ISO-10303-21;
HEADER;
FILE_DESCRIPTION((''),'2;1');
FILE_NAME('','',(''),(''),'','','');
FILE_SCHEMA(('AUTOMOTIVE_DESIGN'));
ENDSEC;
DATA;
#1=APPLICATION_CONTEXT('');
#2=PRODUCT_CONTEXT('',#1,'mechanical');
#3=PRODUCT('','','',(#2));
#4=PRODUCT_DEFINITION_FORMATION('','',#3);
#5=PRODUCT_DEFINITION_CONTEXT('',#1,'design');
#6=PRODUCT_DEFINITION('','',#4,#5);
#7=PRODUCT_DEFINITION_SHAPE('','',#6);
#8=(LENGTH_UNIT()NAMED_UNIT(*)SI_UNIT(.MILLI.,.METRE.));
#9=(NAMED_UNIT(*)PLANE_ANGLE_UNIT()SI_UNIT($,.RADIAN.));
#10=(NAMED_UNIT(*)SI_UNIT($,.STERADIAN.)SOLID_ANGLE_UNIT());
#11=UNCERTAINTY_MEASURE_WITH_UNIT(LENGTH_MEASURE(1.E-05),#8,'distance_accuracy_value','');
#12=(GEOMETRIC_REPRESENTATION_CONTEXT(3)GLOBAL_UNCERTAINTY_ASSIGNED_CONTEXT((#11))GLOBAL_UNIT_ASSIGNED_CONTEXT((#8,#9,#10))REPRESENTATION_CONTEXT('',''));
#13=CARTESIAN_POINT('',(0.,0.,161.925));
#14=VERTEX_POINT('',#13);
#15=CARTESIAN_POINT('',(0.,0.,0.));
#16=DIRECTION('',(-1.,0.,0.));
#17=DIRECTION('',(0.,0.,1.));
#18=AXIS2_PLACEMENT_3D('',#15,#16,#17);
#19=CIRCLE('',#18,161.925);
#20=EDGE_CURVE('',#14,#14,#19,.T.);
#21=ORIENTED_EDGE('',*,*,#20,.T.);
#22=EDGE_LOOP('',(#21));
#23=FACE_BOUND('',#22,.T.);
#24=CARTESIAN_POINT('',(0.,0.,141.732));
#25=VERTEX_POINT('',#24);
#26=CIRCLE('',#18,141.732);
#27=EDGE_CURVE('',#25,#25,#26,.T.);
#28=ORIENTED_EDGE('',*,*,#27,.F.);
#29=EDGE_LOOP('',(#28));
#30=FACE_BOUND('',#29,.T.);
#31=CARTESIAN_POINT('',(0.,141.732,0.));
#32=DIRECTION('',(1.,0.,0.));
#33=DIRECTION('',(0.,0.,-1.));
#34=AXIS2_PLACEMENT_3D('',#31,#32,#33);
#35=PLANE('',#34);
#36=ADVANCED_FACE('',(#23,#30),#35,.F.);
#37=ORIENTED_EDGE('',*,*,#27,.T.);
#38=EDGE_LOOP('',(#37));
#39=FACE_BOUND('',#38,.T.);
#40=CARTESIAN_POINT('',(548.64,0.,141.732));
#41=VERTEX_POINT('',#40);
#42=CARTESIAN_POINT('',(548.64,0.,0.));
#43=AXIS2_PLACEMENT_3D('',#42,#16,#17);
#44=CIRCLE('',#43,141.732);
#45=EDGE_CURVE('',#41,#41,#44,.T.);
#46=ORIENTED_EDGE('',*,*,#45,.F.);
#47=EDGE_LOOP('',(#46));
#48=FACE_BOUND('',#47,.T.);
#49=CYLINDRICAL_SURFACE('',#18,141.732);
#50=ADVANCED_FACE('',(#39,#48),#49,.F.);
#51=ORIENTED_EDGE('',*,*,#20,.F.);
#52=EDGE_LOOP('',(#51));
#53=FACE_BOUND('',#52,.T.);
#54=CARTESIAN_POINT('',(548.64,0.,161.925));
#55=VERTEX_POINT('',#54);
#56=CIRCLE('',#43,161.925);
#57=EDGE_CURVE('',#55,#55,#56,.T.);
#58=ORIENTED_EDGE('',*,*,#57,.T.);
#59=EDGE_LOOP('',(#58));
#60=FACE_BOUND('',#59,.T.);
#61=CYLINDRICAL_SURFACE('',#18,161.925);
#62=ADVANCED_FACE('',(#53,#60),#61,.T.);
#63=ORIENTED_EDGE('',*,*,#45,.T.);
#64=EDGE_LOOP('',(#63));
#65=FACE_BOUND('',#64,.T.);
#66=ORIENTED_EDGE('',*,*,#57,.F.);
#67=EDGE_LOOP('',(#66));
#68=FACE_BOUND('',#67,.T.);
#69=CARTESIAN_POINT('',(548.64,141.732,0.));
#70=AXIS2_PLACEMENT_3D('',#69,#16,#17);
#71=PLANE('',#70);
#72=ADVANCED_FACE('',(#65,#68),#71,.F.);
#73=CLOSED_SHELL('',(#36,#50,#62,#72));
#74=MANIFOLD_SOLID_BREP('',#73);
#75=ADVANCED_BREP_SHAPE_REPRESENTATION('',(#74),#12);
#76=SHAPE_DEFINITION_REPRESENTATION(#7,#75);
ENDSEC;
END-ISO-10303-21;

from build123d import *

# Parameters (mm, degrees)
SKETCH2_W = 548.64
SKETCH2_H = 20.193


with BuildPart() as part:
    # Sketch2 → Revolve1 (revolve)
    with BuildSketch(Plane.XY):
        with Locations((274.32, 151.8285)):
            Rectangle(SKETCH2_W, SKETCH2_H)
    revolve(axis=Axis((0, 0, 0), (1, 0, 0)))


solid = part.part
